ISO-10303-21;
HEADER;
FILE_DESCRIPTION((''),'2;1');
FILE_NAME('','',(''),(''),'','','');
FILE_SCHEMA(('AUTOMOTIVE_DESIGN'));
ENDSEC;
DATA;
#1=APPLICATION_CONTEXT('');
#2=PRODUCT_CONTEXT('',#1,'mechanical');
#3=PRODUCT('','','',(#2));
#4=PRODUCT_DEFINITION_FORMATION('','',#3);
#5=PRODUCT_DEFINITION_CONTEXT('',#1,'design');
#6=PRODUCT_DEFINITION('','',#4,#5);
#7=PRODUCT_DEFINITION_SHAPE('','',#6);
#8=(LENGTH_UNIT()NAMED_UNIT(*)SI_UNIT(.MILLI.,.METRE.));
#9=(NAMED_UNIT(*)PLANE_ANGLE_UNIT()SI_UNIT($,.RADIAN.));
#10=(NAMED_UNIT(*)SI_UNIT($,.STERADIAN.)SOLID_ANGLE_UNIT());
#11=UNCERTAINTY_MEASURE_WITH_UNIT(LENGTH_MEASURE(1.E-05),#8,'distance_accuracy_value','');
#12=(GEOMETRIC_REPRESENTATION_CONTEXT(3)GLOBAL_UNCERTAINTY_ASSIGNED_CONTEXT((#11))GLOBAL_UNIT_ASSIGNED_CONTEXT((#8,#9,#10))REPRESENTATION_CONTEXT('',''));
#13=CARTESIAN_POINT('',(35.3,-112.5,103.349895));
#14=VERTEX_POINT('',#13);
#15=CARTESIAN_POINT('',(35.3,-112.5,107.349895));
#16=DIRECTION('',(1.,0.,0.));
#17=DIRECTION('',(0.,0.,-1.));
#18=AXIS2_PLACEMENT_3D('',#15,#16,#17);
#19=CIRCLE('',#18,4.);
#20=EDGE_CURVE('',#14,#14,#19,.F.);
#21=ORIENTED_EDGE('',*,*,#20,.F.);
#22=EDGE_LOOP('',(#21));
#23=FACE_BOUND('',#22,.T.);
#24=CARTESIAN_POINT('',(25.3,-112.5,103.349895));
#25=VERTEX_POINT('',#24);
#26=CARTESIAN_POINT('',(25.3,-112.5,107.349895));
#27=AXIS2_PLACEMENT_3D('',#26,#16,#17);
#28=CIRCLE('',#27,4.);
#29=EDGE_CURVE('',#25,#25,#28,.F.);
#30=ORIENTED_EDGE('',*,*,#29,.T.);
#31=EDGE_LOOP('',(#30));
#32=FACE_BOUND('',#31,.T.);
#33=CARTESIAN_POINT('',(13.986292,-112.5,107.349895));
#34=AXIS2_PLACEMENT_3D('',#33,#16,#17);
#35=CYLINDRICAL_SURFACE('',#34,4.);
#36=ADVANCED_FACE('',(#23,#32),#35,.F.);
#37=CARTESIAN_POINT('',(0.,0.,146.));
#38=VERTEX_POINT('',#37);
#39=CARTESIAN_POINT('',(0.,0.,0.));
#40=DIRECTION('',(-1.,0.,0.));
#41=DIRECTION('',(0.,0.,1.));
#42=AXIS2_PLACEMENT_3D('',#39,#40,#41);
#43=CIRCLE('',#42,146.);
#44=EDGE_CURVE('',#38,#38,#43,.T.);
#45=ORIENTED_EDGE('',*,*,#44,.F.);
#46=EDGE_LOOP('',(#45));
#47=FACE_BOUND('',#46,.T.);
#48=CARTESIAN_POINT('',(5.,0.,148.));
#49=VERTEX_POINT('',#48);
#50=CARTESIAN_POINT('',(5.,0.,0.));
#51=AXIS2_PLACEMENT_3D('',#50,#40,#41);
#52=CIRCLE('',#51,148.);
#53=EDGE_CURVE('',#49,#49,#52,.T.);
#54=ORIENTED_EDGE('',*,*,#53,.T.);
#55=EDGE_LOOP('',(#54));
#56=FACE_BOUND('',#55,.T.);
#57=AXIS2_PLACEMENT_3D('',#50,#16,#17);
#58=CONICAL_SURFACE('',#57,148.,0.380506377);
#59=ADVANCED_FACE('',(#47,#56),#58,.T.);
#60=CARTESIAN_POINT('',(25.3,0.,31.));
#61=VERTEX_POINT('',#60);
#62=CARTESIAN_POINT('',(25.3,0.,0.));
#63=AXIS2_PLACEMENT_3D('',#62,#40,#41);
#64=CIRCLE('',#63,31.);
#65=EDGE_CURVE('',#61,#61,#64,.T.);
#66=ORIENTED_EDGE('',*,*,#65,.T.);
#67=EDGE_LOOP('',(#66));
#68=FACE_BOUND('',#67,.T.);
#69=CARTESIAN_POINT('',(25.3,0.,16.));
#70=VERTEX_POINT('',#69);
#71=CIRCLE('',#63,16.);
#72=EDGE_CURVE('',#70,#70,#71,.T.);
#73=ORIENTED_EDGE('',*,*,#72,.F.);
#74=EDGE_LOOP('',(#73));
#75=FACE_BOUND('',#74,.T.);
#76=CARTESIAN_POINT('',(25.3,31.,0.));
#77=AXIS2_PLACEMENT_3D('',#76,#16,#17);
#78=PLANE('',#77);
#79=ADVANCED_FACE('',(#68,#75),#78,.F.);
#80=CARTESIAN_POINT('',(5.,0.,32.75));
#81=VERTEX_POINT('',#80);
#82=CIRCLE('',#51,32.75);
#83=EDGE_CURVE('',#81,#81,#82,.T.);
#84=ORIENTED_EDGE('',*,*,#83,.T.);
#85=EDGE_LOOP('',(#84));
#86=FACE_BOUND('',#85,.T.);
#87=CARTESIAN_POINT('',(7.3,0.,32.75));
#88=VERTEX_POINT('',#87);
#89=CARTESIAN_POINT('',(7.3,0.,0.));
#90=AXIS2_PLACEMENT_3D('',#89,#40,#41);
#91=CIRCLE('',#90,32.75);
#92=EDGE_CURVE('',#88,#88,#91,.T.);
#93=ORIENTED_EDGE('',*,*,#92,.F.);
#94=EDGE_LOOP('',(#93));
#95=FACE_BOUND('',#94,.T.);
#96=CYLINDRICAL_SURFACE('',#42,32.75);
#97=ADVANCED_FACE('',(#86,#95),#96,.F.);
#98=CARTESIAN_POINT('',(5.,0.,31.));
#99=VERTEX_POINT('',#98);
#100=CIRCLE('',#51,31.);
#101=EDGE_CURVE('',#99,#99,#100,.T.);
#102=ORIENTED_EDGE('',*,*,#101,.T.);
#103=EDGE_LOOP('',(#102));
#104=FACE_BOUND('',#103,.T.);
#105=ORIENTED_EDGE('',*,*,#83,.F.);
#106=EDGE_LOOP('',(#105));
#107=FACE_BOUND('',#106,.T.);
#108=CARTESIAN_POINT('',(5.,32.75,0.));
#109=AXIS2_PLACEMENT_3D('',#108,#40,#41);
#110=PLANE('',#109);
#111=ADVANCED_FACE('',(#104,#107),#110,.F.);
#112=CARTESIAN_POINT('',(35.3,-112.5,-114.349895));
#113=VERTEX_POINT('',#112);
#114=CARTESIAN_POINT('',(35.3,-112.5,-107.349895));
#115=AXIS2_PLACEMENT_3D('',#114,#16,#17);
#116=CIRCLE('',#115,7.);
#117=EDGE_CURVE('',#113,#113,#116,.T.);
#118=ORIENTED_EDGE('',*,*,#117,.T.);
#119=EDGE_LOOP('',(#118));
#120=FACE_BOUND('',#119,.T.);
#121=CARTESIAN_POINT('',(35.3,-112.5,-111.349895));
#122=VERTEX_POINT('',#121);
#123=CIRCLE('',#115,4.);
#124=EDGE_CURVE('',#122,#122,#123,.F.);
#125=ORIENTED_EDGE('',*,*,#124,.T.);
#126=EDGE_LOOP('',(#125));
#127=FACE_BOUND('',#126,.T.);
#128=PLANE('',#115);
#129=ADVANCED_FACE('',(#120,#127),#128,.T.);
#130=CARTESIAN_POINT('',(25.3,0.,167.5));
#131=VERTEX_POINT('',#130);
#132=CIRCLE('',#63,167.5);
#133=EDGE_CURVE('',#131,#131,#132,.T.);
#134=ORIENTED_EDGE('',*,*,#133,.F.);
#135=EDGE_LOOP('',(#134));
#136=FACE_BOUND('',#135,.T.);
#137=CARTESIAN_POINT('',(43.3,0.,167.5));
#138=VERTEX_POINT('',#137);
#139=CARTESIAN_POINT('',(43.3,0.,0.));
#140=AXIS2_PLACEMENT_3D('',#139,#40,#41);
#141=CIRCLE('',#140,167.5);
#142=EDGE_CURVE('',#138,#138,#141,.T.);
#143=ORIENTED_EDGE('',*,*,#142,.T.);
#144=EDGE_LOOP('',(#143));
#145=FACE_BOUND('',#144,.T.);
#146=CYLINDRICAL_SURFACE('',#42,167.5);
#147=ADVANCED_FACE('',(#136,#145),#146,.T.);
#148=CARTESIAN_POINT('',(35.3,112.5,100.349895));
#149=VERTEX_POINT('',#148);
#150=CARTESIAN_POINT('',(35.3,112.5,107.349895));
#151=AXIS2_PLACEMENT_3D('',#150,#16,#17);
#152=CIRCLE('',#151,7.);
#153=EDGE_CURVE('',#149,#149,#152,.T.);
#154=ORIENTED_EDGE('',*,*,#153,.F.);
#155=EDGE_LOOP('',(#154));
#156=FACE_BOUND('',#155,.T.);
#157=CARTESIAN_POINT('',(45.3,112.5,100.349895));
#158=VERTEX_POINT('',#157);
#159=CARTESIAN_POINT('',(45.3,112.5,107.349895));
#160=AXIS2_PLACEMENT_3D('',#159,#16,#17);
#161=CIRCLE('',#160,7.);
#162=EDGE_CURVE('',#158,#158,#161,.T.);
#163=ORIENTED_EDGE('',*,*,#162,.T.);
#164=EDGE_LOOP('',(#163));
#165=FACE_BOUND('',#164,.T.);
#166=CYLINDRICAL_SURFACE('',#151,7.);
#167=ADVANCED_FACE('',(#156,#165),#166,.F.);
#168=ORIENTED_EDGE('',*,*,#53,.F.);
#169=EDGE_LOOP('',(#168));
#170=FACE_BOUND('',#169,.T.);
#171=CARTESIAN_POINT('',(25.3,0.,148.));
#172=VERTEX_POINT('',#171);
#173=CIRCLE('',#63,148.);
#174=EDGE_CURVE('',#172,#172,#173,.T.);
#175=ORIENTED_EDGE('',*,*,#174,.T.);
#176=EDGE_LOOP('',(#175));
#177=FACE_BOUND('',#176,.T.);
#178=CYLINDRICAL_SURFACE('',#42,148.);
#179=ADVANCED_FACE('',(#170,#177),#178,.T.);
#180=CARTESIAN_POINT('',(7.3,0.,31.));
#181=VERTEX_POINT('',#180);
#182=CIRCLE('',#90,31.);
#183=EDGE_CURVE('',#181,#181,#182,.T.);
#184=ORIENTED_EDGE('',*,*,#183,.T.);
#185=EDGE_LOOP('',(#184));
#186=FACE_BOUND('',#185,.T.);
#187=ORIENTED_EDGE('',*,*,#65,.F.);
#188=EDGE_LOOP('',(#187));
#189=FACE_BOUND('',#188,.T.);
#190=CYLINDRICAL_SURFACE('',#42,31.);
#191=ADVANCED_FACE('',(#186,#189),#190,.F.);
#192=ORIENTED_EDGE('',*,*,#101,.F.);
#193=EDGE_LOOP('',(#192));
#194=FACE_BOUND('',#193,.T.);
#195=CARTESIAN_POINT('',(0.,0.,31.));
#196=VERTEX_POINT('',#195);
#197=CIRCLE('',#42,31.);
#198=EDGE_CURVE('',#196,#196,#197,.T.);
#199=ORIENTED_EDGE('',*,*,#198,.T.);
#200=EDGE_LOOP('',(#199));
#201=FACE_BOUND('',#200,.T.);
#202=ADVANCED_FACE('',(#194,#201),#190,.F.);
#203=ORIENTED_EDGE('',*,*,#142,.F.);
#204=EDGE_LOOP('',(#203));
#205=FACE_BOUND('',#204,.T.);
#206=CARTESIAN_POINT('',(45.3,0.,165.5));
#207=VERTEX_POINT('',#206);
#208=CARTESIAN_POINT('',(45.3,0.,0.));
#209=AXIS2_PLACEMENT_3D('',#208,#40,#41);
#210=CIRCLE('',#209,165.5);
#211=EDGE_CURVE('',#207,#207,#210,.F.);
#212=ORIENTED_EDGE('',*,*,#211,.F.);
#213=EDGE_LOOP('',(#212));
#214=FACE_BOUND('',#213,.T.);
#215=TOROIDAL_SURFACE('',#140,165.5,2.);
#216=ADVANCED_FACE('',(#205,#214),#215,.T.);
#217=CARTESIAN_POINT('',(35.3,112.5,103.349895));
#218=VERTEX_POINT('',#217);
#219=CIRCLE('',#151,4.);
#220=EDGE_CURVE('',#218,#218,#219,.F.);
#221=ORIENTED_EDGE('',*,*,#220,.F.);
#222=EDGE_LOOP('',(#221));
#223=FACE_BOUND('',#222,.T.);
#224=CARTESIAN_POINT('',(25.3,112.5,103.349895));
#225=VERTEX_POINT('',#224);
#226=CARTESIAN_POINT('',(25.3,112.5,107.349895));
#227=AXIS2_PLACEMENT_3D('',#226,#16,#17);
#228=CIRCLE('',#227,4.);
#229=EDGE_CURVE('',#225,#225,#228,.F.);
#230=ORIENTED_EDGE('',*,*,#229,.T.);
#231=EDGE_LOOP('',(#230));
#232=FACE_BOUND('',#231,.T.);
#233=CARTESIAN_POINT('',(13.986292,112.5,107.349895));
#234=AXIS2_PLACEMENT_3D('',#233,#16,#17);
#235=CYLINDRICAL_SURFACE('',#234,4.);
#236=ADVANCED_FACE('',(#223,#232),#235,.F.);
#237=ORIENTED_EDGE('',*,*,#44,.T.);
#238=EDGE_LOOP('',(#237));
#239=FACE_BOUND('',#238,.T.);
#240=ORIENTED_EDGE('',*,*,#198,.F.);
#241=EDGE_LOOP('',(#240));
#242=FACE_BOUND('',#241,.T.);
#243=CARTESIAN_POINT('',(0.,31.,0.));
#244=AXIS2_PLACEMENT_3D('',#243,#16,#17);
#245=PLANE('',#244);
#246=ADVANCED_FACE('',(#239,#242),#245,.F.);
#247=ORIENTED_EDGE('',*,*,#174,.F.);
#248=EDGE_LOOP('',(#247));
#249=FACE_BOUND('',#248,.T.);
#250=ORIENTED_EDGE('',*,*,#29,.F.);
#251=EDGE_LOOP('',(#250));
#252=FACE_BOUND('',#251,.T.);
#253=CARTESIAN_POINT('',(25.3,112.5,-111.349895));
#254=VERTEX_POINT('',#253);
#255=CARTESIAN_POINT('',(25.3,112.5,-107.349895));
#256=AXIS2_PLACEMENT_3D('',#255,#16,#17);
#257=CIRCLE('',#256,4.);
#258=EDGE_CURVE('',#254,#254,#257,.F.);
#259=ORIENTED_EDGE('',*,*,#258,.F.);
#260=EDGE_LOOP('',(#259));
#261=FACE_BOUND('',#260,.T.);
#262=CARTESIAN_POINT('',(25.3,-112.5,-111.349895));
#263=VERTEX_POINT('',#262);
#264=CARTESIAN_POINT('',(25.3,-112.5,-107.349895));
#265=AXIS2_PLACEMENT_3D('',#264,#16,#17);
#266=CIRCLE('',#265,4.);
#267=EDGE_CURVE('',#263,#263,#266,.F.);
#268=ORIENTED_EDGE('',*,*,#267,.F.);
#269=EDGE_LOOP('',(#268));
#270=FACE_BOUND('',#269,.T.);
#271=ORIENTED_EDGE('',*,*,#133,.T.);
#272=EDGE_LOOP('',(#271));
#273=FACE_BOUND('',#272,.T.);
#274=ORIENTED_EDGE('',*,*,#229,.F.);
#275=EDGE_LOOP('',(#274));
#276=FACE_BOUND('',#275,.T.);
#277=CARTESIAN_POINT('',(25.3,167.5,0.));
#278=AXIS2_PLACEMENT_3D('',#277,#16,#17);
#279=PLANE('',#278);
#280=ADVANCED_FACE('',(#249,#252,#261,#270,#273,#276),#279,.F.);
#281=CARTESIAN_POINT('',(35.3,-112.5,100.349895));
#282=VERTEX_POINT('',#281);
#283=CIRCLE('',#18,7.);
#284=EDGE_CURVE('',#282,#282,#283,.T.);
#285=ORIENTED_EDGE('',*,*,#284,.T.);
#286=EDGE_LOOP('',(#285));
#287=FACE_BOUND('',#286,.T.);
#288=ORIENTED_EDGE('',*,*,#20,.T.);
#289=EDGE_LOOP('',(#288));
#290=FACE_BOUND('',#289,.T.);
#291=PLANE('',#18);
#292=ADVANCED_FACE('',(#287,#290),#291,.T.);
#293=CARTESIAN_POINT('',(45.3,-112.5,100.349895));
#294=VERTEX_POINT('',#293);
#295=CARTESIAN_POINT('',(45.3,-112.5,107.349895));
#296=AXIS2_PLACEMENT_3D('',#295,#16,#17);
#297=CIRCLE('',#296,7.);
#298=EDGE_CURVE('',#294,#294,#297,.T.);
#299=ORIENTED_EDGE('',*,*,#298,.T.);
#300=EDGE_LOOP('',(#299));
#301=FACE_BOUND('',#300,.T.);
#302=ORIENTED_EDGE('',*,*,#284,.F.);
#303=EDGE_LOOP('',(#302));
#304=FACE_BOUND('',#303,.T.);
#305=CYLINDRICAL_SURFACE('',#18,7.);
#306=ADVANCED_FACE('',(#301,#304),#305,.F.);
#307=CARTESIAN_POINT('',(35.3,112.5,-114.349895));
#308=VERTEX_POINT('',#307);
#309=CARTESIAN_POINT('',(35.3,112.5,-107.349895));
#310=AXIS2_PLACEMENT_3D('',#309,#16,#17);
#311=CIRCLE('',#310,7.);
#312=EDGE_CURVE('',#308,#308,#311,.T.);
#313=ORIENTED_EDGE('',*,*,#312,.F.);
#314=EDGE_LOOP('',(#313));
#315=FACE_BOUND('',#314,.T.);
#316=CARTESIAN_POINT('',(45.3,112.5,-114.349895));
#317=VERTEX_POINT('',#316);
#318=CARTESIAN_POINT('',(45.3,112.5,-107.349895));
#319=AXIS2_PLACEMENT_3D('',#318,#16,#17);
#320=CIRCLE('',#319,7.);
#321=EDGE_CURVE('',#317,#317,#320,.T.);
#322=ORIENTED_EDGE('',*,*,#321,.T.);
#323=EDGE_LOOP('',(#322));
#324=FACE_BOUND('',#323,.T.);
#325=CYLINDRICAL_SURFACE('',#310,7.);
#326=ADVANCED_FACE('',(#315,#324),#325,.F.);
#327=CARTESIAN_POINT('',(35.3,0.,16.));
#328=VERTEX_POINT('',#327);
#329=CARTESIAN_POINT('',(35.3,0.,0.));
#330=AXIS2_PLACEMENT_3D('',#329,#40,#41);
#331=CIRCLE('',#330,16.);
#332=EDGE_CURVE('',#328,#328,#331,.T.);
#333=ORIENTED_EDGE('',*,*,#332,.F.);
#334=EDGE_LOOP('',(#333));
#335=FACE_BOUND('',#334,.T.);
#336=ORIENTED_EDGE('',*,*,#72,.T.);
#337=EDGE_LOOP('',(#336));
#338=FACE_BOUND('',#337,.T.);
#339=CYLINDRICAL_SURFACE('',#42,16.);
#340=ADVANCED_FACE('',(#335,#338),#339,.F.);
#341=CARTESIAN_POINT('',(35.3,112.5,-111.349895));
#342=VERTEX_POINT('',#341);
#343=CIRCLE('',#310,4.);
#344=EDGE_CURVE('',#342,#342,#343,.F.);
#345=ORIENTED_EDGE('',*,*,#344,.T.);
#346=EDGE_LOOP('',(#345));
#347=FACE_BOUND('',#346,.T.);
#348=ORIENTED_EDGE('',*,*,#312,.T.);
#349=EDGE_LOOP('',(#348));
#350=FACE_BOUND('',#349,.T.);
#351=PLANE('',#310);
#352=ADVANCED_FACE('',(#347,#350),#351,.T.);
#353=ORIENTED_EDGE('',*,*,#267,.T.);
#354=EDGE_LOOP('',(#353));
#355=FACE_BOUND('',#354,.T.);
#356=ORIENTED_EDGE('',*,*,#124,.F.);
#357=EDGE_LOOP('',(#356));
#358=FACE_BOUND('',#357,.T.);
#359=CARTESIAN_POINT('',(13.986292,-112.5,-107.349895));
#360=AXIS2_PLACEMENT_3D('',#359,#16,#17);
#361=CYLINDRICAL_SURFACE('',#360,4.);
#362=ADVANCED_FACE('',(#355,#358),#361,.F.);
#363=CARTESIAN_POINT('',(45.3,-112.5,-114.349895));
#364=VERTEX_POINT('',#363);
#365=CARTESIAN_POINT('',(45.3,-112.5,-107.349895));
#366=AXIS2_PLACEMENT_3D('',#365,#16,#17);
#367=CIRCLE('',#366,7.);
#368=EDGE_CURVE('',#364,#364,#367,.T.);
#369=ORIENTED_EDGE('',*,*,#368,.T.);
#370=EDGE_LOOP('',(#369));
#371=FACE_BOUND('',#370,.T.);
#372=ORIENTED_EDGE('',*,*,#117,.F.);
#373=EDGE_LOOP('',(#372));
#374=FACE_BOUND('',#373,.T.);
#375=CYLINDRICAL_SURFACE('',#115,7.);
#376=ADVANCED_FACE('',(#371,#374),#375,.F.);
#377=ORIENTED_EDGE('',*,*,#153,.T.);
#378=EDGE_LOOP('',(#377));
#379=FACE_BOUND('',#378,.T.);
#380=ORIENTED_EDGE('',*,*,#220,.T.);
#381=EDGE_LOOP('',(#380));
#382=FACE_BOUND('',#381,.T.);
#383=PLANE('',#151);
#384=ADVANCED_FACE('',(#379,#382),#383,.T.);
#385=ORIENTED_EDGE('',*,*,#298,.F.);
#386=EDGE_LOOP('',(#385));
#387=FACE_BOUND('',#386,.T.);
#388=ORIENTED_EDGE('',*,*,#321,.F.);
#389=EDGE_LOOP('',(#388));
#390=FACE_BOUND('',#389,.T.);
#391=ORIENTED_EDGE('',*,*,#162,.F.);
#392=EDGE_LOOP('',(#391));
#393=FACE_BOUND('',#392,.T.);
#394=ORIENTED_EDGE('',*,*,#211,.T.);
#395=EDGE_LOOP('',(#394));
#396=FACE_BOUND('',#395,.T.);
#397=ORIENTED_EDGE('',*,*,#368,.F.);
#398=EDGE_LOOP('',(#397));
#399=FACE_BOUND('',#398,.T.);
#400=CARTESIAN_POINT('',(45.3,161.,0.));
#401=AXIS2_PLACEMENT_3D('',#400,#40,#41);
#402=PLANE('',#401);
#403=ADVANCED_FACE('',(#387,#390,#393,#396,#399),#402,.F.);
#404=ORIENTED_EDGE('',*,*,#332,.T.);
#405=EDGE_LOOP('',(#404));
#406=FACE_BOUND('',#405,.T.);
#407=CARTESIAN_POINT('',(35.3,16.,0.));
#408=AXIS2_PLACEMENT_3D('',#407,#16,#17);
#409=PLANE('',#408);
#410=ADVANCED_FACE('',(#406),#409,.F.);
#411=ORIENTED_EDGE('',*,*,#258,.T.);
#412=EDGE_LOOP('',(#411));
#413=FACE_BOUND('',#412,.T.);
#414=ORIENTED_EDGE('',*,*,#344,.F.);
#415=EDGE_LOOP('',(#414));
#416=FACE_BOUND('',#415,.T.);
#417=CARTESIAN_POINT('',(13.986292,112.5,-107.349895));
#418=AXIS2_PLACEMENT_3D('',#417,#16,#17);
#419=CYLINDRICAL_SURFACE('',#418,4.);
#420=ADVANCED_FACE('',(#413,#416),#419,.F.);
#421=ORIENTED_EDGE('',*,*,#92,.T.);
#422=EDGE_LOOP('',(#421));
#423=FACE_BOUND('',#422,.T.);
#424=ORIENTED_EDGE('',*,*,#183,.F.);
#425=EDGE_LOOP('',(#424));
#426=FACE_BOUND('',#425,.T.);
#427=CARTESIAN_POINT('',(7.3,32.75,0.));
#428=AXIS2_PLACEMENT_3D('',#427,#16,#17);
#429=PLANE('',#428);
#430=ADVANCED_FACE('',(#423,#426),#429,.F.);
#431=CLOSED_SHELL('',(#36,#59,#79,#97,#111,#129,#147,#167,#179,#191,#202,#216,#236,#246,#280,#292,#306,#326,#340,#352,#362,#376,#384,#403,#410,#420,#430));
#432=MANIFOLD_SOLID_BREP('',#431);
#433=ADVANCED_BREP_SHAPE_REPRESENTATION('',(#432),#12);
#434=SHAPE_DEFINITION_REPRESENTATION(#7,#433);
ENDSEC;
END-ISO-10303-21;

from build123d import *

# Parameters (mm, degrees)
IZIM2_R               = 4
KES_EKSTR_ZYON1_DEPTH = 20
IZIM3_R               = 7
KES_EKSTR_ZYON2_DEPTH = 10
RADYUS1_R             = 2


with BuildPart() as part:
    # Çizim1 → Döndür1 (revolve)
    with BuildSketch(Plane.XY, mode=Mode.PRIVATE) as d_nd_r1_sk:
        Polygon((0, 31), (5, 31), (5, 32.75), (7.3, 32.75), (7.3, 31), (25.3, 31), (25.3, 16), (35.3, 16), (35.3, 0), (45.3, 0), (45.3, 161), (45.3, 167.5), (25.3, 167.5), (25.3, 148), (5, 148), (0, 146), align=None)
    revolve(d_nd_r1_sk.sketch.rotate(Axis((0, 0, 0), (1, 0, 0)), 90), axis=Axis((0, 0, 0), (1, 0, 0)))

    # Çizim2 → Kes-Ekstrüzyon1 (cut)
    with BuildSketch(Plane(origin=(45.3, 0, 0), x_dir=(0, 0, -1), z_dir=(1, 0, 0))):
        with Locations((-107.349895203, 112.5)):
            Circle(IZIM2_R)
        with Locations((107.349895203, 112.5)):
            Circle(IZIM2_R)
        with Locations((107.349895203, -112.5)):
            Circle(IZIM2_R)
        with Locations((-107.349895203, -112.5)):
            Circle(IZIM2_R)
    extrude(amount=-KES_EKSTR_ZYON1_DEPTH, mode=Mode.SUBTRACT)

    # Çizim3 → Kes-Ekstrüzyon2 (cut)
    with BuildSketch(Plane(origin=(45.3, 0, 0), x_dir=(0, 0, -1), z_dir=(1, 0, 0))):
        with Locations((-107.349895203, 112.5)):
            Circle(IZIM3_R)
        with Locations((107.349895203, 112.5)):
            Circle(IZIM3_R)
        with Locations((107.349895203, -112.5)):
            Circle(IZIM3_R)
        with Locations((-107.349895203, -112.5)):
            Circle(IZIM3_R)
    extrude(amount=-KES_EKSTR_ZYON2_DEPTH, mode=Mode.SUBTRACT)

    # Radyus1
    radyus1_edges = [part.edges().sort_by_distance(p)[0] for p in [
        (45.3, 0, -167.5),
    ]]
    fillet(radyus1_edges, radius=RADYUS1_R)


solid = part.part
